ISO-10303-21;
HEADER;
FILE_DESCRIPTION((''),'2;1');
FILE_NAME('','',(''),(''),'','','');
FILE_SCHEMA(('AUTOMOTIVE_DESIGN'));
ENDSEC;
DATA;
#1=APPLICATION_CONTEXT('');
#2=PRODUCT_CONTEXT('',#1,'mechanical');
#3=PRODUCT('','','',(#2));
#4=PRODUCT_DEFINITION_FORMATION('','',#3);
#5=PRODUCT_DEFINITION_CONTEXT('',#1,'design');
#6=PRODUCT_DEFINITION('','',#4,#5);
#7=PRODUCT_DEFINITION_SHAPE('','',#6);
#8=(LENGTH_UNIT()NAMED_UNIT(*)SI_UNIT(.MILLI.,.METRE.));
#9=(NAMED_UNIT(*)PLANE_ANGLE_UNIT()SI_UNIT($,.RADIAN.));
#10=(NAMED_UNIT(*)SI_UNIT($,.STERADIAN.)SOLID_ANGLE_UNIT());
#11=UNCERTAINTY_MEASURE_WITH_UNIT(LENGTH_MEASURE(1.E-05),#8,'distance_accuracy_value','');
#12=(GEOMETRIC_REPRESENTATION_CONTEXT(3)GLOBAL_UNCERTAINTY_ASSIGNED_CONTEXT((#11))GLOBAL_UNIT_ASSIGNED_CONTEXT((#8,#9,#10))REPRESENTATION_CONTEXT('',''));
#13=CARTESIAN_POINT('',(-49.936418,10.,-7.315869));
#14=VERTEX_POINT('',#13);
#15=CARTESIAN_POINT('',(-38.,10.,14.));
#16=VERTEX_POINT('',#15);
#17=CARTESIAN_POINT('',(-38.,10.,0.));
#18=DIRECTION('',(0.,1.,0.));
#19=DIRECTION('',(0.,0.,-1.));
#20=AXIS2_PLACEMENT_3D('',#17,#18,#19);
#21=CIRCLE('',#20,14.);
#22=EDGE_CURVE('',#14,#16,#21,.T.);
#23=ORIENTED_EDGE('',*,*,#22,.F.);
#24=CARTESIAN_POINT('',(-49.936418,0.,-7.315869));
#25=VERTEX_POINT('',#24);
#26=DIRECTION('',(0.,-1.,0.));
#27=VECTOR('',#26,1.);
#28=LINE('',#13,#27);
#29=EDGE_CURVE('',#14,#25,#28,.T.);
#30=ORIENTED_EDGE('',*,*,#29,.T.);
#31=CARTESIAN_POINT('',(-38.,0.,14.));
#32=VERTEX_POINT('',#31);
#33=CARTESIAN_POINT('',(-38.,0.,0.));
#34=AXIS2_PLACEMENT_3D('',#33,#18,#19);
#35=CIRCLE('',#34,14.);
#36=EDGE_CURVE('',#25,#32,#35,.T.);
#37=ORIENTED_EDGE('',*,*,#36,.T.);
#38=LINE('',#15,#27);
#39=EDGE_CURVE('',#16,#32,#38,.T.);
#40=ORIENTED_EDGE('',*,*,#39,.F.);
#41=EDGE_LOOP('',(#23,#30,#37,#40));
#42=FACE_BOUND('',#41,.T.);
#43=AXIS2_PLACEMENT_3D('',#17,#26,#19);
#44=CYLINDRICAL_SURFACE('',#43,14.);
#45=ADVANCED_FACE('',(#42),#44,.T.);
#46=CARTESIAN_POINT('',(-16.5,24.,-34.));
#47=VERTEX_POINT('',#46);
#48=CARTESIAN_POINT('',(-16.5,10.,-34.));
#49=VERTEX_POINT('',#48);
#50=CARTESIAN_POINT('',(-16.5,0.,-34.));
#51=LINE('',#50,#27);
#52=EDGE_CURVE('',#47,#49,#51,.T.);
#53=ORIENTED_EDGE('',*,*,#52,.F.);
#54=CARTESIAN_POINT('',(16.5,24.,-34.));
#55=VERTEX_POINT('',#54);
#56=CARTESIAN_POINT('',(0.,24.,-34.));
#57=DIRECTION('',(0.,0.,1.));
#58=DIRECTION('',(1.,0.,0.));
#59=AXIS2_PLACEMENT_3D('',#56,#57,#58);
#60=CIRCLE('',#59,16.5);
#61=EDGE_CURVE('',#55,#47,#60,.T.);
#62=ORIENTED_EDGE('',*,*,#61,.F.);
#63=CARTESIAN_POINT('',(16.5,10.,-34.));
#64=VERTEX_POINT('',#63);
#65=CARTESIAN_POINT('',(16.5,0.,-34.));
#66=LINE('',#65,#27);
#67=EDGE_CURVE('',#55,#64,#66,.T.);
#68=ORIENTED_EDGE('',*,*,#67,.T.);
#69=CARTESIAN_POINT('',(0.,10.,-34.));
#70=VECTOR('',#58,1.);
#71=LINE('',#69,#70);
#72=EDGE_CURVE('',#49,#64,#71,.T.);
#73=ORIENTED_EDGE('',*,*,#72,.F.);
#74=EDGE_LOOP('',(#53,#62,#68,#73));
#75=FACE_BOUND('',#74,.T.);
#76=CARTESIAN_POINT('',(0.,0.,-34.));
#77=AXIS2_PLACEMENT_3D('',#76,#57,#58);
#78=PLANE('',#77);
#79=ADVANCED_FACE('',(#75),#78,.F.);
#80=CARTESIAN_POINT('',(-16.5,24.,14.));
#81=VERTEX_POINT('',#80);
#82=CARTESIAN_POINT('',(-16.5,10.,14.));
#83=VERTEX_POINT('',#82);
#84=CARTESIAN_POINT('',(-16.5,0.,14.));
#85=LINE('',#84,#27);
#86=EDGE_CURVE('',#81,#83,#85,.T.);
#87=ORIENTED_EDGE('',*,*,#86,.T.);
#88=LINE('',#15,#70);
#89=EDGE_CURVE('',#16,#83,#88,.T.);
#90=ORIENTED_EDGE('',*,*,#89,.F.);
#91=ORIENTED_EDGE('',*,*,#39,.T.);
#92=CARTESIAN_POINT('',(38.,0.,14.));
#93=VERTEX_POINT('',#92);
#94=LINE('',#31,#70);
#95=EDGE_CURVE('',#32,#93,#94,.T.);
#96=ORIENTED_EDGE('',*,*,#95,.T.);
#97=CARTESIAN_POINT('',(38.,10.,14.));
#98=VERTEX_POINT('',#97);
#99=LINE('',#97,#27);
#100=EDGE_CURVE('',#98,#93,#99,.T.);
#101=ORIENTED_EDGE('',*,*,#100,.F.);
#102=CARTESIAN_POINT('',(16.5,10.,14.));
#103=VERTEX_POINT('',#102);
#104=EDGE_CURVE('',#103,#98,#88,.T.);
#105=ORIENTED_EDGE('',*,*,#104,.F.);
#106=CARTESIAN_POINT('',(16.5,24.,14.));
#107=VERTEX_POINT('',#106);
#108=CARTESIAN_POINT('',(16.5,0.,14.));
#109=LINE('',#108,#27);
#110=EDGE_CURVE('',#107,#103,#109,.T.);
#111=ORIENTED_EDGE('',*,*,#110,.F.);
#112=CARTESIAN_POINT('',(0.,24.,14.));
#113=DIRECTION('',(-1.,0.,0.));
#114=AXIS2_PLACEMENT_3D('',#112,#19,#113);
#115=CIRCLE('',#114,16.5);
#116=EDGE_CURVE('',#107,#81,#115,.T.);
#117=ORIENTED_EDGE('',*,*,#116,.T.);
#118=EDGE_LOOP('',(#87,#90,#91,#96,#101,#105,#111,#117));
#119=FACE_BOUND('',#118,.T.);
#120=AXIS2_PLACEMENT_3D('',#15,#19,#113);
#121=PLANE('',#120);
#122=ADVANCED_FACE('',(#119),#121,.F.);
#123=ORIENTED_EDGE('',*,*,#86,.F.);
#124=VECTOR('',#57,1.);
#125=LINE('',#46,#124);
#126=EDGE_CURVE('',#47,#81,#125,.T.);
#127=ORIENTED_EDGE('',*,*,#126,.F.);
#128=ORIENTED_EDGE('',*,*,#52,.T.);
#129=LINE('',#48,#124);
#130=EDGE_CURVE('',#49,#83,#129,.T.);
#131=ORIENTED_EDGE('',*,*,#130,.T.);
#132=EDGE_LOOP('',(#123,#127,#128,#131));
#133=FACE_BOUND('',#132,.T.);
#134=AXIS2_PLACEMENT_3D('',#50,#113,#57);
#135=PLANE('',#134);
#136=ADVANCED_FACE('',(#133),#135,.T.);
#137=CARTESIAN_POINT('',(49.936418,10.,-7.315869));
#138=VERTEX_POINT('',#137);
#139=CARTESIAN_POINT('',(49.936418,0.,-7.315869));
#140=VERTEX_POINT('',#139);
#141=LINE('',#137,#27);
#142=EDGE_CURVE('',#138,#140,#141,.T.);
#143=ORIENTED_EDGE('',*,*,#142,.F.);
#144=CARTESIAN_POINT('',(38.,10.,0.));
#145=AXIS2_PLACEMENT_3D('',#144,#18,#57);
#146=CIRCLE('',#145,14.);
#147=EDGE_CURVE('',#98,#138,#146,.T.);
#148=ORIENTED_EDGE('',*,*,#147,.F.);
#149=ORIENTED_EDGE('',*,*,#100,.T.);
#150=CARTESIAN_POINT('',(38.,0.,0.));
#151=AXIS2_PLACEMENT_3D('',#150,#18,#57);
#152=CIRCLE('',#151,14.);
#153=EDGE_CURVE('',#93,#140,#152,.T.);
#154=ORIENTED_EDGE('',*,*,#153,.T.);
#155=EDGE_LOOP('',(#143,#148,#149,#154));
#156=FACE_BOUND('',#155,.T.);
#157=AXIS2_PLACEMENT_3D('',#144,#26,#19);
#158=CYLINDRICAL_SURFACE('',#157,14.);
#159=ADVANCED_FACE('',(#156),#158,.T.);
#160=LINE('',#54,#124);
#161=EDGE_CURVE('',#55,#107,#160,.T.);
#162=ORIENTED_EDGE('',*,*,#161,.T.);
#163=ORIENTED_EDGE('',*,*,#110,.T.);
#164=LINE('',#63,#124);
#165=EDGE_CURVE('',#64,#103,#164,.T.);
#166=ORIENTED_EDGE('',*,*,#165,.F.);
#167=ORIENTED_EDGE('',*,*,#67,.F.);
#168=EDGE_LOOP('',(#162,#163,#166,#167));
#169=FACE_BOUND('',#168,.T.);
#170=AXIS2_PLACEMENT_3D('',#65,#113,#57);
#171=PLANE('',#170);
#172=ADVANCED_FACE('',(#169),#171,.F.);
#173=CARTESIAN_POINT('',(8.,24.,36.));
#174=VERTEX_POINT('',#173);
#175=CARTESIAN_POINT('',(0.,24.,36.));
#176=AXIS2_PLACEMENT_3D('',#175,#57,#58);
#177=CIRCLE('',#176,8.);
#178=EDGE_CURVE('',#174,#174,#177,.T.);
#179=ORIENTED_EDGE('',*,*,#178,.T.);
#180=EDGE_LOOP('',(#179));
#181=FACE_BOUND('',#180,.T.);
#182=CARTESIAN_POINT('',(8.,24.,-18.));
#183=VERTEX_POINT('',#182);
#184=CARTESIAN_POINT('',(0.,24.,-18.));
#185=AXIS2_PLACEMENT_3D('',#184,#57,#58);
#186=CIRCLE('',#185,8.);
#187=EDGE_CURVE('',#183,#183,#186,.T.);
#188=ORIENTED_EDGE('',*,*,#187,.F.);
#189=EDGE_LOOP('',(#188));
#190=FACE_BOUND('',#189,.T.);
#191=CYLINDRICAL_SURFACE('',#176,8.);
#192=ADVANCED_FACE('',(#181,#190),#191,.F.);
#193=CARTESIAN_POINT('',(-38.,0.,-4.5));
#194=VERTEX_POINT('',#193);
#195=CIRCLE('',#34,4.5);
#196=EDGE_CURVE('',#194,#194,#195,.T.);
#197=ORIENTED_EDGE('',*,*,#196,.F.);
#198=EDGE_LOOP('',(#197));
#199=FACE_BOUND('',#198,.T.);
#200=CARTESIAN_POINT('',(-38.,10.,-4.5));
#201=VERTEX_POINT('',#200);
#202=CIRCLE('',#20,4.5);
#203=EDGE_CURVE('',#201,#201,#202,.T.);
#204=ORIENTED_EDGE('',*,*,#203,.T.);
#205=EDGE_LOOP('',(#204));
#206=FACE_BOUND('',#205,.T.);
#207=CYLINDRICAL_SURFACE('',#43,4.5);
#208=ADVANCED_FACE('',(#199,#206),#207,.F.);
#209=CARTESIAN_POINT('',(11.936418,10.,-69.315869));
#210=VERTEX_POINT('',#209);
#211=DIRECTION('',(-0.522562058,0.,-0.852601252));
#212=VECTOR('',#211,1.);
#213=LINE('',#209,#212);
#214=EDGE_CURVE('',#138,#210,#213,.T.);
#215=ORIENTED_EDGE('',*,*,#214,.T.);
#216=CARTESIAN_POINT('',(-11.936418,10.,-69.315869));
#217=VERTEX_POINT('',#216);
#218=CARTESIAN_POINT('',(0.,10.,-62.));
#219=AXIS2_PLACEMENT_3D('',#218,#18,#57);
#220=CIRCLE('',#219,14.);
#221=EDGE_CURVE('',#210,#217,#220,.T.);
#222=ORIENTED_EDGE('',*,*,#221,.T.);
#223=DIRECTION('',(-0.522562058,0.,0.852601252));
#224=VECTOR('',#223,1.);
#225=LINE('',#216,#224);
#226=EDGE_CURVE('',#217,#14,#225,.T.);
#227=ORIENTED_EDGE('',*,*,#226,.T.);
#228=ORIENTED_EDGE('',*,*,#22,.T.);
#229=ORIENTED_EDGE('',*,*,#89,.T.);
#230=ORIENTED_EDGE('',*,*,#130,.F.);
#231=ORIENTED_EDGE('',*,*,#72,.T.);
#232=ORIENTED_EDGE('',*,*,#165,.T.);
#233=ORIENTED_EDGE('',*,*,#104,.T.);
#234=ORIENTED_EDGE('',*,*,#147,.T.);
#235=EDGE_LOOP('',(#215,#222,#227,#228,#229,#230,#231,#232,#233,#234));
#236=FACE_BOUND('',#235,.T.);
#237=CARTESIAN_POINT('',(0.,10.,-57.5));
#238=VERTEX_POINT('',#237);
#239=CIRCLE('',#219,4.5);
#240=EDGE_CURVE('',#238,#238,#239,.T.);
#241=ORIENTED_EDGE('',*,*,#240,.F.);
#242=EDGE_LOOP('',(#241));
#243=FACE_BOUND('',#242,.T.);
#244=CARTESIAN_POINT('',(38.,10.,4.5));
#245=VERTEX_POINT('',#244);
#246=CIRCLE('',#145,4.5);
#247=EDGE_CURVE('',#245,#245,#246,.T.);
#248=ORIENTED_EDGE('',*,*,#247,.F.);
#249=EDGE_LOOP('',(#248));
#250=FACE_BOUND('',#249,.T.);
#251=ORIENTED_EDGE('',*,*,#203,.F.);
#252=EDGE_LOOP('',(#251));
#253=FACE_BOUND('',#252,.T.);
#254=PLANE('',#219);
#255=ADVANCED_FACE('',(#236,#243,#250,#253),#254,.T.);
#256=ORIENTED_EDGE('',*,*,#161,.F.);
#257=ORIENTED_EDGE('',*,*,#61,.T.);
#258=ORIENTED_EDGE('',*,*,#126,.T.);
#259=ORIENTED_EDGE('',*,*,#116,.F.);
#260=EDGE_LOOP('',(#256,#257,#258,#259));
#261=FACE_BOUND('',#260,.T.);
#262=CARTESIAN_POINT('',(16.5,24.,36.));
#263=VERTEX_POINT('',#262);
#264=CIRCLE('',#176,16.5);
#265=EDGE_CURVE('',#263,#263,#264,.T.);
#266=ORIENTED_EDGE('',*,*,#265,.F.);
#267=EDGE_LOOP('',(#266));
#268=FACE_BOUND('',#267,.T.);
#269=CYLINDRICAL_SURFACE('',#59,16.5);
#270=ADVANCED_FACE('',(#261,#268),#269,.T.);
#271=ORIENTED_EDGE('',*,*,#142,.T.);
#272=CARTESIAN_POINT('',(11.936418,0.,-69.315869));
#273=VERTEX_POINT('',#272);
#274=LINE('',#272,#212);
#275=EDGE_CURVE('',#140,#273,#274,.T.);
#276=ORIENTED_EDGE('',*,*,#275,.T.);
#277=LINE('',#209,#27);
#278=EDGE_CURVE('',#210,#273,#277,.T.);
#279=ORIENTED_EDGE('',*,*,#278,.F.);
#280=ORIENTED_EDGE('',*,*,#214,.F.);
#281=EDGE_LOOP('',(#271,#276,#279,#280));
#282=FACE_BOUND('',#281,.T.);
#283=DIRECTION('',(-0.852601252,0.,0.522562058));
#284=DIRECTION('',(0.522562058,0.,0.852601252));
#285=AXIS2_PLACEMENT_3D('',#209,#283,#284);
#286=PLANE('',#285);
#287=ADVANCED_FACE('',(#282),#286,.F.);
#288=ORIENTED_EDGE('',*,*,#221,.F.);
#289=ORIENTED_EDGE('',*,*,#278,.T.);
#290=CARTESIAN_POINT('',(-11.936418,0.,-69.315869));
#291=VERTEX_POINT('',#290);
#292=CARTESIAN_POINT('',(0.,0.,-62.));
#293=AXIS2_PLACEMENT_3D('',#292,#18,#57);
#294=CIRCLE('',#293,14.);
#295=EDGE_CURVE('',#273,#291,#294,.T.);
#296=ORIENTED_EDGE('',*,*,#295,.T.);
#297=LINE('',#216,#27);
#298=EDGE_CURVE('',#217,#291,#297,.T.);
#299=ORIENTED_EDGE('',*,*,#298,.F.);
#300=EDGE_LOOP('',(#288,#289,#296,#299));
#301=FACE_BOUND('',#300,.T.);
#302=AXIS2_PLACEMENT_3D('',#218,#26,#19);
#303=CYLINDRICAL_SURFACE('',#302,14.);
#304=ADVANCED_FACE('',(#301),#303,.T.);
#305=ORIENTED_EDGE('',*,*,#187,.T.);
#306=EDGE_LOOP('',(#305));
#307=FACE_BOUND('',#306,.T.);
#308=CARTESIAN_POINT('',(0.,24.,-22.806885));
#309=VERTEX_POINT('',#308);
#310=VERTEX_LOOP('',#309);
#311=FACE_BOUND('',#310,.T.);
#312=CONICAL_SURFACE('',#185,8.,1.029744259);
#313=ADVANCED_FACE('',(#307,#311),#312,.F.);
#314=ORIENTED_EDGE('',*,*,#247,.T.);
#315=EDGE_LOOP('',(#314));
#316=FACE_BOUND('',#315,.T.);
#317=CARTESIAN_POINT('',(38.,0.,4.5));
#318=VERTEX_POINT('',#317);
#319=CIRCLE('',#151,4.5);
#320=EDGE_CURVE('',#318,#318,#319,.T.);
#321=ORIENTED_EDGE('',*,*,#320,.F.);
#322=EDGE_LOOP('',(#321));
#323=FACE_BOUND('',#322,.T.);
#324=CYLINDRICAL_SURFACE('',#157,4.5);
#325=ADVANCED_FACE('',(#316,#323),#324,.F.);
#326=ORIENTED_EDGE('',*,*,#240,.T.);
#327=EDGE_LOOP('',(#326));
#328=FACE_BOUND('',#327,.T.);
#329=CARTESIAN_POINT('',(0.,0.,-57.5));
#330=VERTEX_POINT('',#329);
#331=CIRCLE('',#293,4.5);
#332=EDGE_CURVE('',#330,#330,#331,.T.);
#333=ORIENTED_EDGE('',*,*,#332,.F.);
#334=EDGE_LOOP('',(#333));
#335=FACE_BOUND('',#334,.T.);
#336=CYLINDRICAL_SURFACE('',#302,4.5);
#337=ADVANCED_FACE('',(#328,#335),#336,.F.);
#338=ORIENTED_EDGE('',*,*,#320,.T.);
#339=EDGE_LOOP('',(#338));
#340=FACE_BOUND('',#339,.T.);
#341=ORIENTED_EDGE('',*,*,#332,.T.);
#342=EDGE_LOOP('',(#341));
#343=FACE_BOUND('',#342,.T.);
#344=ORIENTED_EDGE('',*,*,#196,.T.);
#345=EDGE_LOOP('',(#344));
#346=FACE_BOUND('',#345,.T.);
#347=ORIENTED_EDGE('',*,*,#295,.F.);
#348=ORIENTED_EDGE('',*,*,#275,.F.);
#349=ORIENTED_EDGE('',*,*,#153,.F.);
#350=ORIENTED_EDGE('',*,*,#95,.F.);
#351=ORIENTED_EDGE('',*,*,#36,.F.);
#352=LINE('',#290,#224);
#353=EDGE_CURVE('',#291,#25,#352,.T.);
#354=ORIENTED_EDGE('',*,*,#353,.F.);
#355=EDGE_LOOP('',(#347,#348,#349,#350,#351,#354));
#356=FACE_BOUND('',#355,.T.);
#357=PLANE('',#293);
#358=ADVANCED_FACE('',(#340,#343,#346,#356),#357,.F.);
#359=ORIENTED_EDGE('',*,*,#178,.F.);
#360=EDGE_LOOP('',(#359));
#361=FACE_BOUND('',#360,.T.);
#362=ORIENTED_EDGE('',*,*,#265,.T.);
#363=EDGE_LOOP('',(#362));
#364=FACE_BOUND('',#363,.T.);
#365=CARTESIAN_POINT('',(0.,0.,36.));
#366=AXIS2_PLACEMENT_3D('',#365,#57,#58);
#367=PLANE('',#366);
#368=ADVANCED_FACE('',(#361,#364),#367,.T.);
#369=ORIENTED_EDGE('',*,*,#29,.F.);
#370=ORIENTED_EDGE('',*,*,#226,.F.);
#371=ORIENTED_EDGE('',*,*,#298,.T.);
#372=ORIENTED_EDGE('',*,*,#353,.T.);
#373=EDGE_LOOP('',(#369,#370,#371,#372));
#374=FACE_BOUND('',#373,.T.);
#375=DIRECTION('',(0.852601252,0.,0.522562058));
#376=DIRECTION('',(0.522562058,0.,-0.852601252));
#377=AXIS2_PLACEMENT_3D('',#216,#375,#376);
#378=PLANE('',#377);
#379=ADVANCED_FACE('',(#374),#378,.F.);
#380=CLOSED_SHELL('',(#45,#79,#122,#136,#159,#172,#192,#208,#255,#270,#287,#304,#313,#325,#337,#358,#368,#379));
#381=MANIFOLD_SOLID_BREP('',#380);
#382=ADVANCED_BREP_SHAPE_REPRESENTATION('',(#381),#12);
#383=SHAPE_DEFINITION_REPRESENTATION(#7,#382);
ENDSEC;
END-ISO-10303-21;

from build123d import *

# Parameters (mm, degrees)
SKETCH2_R                  = 4.5
BOSS_EXTRUDE1_DEPTH        = 10
BOSS_EXTRUDE5_DEPTH        = 22
BOSS_EXTRUDE5_DEPTH_BACK   = 48
SKETCH3_R                  = 16.5
BOSS_EXTRUDE6_DEPTH        = 48
F_16_0MM_DOWEL_HOLE1_D     = 16
F_16_0MM_DOWEL_HOLE1_DEPTH = 54
F_16_0MM_DOWEL_HOLE1_TIP   = 4.806884952


with BuildPart() as part:
    # Sketch2 → Boss-Extrude1 (new body)
    with BuildSketch(Plane(origin=(0, 0, 0), x_dir=(1, 0, 0), z_dir=(0, 1, 0))):
        with BuildLine():
            Line((11.936417534, 69.315868811), (49.936417534, 7.315868811))
            ThreePointArc((49.936417534, 7.315868811), (50.215198798, -6.840242563), (38, -14))
            Line((38, -14), (-38, -14))
            ThreePointArc((-38, -14), (-50.215198798, -6.840242563), (-49.936417534, 7.315868811))
            Line((-49.936417534, 7.315868811), (-11.936417534, 69.315868811))
            ThreePointArc((-11.936417534, 69.315868811), (0, 76), (11.936417534, 69.315868811))
        make_face()
        with Locations((0, 62)):
            Circle(SKETCH2_R, mode=Mode.SUBTRACT)
        with Locations((38, 0)):
            Circle(SKETCH2_R, mode=Mode.SUBTRACT)
        with Locations((-38, 0)):
            Circle(SKETCH2_R, mode=Mode.SUBTRACT)
    extrude(amount=BOSS_EXTRUDE1_DEPTH)

    # Sketch3 → Boss-Extrude5 (add, two sides: drawn at the far end of the back side and taken through both)
    with BuildSketch(Plane.XY.offset(14).offset(-BOSS_EXTRUDE5_DEPTH_BACK)):
        with Locations((0, 24)):
            Circle(SKETCH3_R)
    extrude(amount=BOSS_EXTRUDE5_DEPTH + BOSS_EXTRUDE5_DEPTH_BACK)

    # Sketch3<7> → Boss-Extrude6 (add)
    with BuildSketch(Plane.XY.offset(14)):
        with BuildLine():
            ThreePointArc((-8.732124598, 10), (-14.427925282, 15.994691008), (-16.5, 24))
            Line((-16.5, 24), (-16.5, 10))
            Line((-16.5, 10), (-8.732124598, 10))
        make_face()
        with BuildLine():
            Line((16.5, 10), (16.5, 24))
            ThreePointArc((16.5, 24), (14.427925282, 15.994691008), (8.732124598, 10))
            Line((8.732124598, 10), (16.5, 10))
        make_face()
    extrude(amount=-BOSS_EXTRUDE6_DEPTH)

    # Ø16.0mm Dowel Hole1
    with Locations(Plane.XY.offset(36)):
        with Locations((0, 24)):
            Hole(F_16_0MM_DOWEL_HOLE1_D / 2, depth=F_16_0MM_DOWEL_HOLE1_DEPTH)
            with Locations((0, 0, -(F_16_0MM_DOWEL_HOLE1_DEPTH + F_16_0MM_DOWEL_HOLE1_TIP / 2))):  # 118° drill point
                Cone(0, F_16_0MM_DOWEL_HOLE1_D / 2, F_16_0MM_DOWEL_HOLE1_TIP, mode=Mode.SUBTRACT)


solid = part.part
